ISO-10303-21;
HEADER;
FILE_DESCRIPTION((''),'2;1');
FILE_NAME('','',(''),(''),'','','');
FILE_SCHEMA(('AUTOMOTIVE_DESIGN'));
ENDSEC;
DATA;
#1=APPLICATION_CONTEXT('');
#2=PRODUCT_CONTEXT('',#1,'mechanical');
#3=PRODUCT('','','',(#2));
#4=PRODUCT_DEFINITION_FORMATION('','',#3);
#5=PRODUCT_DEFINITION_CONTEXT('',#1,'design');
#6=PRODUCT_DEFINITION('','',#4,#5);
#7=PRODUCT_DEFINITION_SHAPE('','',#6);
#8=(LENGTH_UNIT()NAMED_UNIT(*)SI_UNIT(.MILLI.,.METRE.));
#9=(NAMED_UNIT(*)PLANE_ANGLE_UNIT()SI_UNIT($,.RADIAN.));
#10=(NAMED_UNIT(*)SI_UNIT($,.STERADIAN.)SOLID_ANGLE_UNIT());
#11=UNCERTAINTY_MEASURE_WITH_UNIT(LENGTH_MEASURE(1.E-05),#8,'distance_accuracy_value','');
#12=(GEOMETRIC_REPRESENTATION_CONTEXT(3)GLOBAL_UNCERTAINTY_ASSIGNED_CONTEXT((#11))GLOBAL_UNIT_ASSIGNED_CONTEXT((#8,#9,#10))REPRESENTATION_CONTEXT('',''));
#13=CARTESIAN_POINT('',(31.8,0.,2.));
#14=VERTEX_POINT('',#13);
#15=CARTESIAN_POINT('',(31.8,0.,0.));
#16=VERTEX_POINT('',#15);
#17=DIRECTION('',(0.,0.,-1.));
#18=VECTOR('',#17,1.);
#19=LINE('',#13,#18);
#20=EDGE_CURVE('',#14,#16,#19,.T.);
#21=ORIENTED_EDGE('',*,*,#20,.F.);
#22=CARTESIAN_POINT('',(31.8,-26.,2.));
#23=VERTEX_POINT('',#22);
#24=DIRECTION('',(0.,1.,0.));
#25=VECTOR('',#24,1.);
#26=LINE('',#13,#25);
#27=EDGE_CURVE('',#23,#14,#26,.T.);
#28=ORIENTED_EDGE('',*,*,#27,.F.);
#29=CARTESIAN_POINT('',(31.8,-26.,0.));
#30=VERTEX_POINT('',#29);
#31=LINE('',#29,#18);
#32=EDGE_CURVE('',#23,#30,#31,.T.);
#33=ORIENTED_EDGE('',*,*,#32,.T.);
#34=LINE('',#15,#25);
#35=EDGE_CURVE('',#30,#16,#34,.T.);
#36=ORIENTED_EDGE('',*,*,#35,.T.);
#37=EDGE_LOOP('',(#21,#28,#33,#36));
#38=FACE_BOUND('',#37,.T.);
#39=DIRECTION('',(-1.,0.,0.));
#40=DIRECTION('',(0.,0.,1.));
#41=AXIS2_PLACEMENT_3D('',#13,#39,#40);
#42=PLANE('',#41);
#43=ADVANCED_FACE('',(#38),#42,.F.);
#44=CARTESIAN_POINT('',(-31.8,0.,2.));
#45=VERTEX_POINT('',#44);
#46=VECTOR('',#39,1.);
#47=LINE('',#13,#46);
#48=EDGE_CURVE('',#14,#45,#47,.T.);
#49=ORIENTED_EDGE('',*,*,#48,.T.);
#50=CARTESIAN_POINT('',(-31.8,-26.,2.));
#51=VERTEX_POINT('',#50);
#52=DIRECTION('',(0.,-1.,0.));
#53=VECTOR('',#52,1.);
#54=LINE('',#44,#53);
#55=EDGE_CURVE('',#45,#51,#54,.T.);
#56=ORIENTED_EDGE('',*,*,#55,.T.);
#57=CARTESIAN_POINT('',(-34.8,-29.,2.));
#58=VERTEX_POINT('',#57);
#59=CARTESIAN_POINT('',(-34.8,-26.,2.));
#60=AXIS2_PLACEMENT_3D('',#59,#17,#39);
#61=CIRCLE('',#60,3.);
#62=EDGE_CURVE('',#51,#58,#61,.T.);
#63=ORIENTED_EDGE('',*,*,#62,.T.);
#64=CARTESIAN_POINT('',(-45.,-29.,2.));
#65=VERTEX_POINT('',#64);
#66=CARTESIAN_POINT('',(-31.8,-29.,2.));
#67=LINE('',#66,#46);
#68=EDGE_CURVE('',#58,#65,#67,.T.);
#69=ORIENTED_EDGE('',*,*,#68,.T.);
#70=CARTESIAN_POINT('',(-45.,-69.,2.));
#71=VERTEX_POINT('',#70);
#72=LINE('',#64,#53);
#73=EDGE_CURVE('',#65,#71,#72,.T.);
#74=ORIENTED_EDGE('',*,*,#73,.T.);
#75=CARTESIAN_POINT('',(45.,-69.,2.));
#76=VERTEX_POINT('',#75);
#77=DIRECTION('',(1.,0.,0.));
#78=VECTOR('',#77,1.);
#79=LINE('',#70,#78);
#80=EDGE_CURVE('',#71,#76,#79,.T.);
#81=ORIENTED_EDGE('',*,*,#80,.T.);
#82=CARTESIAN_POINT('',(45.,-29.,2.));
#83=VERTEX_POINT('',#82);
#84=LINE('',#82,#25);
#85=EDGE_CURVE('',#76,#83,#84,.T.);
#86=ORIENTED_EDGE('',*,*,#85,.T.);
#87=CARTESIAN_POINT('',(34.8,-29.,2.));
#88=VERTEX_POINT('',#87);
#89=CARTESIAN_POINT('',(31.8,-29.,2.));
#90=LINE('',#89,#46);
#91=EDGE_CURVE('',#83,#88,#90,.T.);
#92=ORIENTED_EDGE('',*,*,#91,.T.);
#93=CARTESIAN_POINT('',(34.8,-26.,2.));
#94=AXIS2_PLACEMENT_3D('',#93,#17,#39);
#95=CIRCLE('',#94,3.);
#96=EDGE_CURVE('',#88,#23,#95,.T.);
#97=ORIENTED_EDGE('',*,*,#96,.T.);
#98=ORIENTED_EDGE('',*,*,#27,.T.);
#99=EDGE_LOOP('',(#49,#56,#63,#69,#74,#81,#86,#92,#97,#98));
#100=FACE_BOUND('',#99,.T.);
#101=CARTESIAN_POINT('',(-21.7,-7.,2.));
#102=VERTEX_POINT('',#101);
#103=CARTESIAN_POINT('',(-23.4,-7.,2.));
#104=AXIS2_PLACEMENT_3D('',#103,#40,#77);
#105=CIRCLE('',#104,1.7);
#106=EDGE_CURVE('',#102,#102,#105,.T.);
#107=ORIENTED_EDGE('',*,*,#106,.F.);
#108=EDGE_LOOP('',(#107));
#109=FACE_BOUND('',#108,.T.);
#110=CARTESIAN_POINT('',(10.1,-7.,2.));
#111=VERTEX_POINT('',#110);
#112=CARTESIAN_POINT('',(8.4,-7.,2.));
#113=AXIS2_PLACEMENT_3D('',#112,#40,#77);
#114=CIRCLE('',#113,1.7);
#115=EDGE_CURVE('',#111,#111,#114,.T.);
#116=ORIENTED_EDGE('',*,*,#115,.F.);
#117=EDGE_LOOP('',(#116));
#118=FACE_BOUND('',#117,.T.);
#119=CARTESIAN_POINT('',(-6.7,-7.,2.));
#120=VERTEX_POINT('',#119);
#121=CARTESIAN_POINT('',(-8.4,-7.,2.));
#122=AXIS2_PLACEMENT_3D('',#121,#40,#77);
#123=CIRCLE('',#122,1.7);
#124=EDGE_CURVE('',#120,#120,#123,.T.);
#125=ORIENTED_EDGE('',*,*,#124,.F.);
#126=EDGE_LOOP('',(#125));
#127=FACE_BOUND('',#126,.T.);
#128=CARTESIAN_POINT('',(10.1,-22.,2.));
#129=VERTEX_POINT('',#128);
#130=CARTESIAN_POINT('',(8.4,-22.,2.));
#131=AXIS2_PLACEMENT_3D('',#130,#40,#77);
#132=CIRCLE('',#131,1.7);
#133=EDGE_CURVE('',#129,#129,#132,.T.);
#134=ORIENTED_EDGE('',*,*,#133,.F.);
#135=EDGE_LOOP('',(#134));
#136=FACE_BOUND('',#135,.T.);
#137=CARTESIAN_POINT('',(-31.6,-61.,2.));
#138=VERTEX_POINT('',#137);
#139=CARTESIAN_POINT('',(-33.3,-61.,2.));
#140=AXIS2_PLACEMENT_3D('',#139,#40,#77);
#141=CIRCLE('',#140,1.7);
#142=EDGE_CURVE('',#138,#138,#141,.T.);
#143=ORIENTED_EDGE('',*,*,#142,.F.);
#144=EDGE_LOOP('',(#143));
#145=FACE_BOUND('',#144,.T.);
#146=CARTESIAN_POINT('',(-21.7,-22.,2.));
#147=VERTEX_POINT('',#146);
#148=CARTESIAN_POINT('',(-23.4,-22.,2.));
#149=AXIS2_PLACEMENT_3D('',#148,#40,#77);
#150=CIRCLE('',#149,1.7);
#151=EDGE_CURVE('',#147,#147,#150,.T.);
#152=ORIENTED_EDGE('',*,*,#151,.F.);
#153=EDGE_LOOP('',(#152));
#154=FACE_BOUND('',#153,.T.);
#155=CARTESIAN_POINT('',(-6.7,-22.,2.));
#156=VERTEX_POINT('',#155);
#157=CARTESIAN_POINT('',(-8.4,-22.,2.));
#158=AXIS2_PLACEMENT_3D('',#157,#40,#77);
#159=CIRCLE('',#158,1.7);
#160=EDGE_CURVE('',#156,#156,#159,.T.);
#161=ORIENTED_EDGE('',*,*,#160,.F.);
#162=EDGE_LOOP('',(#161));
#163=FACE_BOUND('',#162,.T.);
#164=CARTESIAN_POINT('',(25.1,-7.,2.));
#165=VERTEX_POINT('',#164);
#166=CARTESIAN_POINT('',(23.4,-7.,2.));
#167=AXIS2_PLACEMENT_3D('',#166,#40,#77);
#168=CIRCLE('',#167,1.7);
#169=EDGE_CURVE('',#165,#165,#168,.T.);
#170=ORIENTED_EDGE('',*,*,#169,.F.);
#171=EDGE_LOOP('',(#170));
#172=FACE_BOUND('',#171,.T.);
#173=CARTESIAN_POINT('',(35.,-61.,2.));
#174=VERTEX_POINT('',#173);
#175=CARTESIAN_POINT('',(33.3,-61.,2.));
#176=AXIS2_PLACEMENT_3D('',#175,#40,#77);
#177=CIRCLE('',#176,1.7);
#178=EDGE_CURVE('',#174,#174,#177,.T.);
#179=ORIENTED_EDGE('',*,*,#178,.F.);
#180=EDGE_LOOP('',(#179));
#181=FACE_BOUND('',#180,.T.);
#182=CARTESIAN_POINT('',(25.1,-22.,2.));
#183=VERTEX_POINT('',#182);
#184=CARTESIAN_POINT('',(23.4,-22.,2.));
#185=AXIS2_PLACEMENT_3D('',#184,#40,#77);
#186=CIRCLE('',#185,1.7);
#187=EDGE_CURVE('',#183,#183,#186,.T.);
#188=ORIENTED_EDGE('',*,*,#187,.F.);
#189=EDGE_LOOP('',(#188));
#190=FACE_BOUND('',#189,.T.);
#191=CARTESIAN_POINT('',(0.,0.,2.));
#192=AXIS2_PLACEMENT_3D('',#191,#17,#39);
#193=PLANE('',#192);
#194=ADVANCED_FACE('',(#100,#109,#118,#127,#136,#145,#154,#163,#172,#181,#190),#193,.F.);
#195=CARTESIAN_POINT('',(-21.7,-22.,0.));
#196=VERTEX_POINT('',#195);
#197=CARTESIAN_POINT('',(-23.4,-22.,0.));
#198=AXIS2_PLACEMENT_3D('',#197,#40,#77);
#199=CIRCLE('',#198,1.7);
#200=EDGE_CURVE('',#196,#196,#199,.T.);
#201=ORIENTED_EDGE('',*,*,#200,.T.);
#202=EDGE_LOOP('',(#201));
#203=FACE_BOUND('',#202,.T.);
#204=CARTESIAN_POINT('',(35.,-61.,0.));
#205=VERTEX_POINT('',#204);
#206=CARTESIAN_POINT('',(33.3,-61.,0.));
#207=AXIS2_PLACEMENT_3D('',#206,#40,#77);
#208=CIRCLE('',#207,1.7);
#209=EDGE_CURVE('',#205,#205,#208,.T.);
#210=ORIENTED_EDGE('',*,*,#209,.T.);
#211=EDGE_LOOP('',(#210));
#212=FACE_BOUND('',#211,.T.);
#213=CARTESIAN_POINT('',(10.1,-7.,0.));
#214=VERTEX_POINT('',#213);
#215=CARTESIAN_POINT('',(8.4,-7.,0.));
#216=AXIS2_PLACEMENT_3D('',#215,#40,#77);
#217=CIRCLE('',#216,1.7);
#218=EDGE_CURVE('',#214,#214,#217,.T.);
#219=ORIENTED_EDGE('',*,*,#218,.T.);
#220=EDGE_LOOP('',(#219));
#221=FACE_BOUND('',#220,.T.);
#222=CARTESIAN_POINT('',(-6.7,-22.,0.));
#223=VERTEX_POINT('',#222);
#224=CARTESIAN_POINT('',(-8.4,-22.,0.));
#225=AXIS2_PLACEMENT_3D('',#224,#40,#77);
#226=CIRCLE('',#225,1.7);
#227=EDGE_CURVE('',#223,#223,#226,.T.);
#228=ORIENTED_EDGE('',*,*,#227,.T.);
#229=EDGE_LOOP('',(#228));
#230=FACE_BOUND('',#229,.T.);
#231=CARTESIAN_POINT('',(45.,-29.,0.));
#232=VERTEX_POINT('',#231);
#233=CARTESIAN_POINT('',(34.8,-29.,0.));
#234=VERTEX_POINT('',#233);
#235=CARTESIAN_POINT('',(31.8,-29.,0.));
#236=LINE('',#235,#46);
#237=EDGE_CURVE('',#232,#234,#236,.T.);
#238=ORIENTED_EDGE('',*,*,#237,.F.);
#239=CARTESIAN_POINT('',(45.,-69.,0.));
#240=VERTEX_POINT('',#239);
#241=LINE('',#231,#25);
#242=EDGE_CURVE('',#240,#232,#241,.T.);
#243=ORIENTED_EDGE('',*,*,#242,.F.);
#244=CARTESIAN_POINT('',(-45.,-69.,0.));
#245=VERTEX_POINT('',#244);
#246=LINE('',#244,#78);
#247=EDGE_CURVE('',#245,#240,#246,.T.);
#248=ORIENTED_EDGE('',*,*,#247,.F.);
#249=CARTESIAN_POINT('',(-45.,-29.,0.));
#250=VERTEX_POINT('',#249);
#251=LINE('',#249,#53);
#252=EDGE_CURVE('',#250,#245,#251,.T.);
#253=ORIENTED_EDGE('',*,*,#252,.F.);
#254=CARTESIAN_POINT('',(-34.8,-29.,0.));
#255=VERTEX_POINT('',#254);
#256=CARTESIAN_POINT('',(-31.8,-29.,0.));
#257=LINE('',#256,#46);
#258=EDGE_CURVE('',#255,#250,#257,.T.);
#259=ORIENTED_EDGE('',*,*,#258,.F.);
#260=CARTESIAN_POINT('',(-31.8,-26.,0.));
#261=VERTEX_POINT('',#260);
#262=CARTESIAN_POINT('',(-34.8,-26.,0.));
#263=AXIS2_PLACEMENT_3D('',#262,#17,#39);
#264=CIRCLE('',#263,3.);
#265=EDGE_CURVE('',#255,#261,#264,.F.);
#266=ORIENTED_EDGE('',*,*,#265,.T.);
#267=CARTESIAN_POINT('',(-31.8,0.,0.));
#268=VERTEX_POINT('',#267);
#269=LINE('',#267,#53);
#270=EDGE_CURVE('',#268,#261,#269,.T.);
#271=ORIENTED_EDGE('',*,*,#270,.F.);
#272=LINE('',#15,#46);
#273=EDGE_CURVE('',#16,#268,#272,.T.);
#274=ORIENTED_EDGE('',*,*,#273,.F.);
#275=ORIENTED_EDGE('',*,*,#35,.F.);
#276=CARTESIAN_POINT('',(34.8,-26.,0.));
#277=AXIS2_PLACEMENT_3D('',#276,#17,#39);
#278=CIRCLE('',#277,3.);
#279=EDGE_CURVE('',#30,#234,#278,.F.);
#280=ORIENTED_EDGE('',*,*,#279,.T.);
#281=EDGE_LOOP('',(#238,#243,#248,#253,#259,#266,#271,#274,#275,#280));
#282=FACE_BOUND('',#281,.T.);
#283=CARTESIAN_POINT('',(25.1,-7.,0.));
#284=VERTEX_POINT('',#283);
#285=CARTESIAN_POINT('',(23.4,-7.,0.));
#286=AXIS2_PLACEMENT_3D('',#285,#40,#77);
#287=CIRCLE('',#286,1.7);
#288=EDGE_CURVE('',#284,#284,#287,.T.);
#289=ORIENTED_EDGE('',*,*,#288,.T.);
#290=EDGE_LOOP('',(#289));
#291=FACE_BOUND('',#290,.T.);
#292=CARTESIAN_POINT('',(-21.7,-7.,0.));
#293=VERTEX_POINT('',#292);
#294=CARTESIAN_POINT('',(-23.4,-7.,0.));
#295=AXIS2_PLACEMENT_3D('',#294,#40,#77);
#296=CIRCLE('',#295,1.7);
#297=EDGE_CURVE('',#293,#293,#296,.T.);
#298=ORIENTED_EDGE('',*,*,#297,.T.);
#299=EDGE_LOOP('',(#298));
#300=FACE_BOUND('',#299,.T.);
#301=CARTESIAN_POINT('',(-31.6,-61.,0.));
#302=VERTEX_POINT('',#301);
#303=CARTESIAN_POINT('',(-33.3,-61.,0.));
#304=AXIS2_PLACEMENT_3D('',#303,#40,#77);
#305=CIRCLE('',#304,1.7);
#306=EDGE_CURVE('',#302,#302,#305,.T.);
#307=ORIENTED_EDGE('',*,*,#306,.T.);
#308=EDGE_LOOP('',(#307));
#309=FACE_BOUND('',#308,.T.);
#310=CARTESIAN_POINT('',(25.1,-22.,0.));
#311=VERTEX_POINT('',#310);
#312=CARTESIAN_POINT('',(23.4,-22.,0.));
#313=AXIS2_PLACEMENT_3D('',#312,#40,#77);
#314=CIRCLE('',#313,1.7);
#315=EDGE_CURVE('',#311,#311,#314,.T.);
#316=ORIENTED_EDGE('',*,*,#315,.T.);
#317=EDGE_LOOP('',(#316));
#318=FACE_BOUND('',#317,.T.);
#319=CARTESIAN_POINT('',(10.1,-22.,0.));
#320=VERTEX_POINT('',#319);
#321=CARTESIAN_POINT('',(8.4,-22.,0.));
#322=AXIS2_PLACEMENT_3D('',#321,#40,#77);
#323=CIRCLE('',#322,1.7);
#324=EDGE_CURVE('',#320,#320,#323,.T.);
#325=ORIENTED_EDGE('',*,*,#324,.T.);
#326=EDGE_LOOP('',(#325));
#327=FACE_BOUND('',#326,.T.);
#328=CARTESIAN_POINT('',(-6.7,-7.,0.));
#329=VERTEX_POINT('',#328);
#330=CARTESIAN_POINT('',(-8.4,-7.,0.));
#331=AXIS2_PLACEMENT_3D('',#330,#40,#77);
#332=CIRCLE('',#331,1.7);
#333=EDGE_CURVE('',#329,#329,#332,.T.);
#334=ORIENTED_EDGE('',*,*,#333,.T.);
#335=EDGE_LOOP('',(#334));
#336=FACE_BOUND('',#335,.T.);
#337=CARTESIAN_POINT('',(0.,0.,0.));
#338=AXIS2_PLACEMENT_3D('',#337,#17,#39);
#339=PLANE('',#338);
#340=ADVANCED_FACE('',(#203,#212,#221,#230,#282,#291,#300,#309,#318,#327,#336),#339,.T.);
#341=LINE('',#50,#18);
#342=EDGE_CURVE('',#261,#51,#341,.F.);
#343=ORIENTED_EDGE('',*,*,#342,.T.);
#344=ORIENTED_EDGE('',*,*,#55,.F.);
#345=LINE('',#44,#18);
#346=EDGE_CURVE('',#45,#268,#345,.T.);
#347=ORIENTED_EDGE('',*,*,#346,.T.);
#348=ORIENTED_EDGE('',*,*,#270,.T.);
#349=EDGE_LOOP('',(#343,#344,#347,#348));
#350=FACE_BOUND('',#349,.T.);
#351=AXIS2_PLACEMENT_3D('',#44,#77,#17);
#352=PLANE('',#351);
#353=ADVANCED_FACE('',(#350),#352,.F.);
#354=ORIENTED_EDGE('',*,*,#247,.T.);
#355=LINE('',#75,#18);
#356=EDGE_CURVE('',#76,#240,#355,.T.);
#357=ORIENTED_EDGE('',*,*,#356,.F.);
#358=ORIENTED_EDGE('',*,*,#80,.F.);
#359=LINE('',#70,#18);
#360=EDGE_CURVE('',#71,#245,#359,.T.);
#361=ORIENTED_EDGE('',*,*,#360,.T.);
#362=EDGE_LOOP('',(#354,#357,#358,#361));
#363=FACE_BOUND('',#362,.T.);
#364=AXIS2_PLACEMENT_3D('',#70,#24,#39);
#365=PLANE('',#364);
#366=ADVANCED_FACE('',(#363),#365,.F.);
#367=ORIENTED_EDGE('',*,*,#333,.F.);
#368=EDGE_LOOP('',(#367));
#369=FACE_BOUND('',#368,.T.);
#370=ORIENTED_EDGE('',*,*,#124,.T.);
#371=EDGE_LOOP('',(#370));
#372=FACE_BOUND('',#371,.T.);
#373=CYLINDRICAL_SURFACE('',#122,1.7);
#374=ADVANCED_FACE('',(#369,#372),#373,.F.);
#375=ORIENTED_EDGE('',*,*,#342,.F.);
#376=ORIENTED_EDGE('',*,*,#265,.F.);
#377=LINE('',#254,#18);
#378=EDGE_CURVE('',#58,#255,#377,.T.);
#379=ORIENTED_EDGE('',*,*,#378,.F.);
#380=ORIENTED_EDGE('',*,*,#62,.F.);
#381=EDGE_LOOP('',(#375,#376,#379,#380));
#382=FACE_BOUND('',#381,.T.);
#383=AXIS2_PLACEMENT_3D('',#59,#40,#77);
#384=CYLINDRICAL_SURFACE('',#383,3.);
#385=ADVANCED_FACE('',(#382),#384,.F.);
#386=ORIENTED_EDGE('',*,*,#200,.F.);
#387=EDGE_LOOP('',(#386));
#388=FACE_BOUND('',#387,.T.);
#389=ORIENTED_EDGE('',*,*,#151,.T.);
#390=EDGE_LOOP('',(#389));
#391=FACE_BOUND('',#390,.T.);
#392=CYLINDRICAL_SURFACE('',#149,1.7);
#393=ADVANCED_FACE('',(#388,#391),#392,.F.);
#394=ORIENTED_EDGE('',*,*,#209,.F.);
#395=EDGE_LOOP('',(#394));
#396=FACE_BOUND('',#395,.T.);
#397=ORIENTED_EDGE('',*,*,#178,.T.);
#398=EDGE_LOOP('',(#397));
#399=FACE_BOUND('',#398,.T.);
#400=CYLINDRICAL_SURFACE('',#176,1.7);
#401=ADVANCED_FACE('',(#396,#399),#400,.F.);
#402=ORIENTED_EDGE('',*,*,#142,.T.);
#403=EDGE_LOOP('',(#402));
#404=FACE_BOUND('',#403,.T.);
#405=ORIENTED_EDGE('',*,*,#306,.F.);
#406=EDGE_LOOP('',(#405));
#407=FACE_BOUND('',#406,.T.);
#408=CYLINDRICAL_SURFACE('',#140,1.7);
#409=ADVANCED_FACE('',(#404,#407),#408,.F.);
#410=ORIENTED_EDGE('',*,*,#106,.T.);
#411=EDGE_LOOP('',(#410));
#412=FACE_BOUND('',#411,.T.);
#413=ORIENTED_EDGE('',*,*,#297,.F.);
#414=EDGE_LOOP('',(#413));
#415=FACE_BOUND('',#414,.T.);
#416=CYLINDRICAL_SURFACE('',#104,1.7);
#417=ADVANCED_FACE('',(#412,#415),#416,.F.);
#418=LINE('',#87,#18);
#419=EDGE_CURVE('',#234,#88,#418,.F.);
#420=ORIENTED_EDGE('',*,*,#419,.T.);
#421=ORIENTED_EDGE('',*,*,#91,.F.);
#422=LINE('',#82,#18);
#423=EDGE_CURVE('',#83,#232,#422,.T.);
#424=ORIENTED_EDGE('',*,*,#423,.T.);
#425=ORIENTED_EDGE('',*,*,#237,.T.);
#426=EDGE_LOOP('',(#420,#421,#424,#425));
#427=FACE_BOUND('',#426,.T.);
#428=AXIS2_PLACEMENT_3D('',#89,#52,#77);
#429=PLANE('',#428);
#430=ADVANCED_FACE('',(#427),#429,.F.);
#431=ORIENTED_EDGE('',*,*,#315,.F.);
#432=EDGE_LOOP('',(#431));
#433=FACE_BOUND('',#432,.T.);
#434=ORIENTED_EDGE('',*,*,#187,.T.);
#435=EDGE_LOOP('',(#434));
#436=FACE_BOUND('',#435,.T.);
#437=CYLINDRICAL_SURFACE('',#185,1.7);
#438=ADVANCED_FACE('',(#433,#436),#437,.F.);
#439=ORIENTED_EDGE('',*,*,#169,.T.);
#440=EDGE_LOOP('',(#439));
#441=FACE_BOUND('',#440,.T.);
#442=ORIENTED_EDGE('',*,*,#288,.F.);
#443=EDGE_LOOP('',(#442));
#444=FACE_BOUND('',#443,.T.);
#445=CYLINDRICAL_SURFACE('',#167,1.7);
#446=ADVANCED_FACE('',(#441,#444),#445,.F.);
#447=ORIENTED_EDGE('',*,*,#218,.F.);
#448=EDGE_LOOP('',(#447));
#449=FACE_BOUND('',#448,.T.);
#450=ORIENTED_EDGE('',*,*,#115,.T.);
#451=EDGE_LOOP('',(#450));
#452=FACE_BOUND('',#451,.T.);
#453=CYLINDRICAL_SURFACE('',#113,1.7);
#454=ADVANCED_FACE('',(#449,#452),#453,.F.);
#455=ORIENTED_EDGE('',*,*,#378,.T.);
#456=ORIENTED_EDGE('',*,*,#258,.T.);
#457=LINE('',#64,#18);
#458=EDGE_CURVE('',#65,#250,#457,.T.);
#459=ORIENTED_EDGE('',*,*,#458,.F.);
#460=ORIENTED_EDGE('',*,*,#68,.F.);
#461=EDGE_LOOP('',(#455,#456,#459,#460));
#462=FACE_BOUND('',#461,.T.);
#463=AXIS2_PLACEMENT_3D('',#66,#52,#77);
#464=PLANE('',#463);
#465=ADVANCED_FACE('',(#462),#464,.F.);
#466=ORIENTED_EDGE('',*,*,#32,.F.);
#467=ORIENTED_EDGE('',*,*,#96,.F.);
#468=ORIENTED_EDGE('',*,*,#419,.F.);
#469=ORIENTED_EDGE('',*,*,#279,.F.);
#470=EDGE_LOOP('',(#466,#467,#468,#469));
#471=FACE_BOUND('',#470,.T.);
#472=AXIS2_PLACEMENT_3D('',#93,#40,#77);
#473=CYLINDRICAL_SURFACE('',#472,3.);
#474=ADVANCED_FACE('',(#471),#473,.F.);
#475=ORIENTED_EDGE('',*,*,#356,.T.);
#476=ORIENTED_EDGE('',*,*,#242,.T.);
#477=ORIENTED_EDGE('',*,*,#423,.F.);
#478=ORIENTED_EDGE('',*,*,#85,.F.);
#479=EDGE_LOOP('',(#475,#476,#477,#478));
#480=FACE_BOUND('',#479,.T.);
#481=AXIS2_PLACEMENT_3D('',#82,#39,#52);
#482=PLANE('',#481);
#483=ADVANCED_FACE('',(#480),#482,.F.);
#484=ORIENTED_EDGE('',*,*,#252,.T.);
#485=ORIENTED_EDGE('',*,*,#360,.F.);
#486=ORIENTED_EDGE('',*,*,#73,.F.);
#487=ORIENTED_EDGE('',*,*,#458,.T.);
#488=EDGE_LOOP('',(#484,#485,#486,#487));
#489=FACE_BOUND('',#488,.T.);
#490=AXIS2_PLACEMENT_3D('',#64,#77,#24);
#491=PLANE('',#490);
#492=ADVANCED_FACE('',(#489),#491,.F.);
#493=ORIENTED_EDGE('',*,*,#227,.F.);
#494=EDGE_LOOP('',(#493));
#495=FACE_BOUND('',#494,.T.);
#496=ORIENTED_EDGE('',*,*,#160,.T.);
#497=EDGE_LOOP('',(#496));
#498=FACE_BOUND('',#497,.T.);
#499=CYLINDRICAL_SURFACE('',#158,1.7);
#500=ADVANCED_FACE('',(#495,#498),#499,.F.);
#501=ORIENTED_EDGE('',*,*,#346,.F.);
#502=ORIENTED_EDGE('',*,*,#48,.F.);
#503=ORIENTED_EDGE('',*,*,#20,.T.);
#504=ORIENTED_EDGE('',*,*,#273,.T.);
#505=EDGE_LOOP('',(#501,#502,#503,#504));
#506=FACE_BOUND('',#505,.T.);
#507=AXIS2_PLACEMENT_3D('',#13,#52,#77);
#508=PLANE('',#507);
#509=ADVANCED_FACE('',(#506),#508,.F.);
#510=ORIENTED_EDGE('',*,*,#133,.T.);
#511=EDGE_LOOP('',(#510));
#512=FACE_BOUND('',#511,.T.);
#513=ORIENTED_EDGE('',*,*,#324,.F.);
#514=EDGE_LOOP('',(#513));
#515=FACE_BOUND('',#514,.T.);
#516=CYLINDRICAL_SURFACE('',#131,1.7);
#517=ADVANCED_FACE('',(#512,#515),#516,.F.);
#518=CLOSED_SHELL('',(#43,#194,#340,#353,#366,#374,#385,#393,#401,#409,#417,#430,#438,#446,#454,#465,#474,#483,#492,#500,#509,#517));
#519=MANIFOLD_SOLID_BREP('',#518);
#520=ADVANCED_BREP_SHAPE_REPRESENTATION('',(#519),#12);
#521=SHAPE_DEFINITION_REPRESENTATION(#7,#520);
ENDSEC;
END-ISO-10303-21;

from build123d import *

# Parameters (mm, degrees)
BASE_PLATE_DEPTH     = 2
M3_CLEARANCE_HOLE1_D = 3.4
FILLET1_R            = 3


with BuildPart() as part:
    # Sketch1 → Base Plate (new body)
    with BuildSketch(Plane.XY):
        Polygon((31.8, 0), (-31.8, 0), (-31.8, -29), (-45, -29), (-45, -69), (45, -69), (45, -29), (31.8, -29), align=None)
    extrude(amount=BASE_PLATE_DEPTH)

    # M3 Clearance Hole1 (through all)
    with Locations(Plane.XY.offset(2)):
        with Locations((-23.4, -7), (-8.4, -7), (-8.4, -22), (-23.4, -22), (-33.3, -61), (33.3, -61), (8.4, -22), (23.4, -22), (8.4, -7), (23.4, -7)):
            Hole(M3_CLEARANCE_HOLE1_D / 2)

    # Fillet1
    fillet1_edges = [part.edges().sort_by_distance(p)[0] for p in [
        (31.8, -29, 1),
        (-31.8, -29, 1),
    ]]
    fillet(fillet1_edges, radius=FILLET1_R)


solid = part.part
